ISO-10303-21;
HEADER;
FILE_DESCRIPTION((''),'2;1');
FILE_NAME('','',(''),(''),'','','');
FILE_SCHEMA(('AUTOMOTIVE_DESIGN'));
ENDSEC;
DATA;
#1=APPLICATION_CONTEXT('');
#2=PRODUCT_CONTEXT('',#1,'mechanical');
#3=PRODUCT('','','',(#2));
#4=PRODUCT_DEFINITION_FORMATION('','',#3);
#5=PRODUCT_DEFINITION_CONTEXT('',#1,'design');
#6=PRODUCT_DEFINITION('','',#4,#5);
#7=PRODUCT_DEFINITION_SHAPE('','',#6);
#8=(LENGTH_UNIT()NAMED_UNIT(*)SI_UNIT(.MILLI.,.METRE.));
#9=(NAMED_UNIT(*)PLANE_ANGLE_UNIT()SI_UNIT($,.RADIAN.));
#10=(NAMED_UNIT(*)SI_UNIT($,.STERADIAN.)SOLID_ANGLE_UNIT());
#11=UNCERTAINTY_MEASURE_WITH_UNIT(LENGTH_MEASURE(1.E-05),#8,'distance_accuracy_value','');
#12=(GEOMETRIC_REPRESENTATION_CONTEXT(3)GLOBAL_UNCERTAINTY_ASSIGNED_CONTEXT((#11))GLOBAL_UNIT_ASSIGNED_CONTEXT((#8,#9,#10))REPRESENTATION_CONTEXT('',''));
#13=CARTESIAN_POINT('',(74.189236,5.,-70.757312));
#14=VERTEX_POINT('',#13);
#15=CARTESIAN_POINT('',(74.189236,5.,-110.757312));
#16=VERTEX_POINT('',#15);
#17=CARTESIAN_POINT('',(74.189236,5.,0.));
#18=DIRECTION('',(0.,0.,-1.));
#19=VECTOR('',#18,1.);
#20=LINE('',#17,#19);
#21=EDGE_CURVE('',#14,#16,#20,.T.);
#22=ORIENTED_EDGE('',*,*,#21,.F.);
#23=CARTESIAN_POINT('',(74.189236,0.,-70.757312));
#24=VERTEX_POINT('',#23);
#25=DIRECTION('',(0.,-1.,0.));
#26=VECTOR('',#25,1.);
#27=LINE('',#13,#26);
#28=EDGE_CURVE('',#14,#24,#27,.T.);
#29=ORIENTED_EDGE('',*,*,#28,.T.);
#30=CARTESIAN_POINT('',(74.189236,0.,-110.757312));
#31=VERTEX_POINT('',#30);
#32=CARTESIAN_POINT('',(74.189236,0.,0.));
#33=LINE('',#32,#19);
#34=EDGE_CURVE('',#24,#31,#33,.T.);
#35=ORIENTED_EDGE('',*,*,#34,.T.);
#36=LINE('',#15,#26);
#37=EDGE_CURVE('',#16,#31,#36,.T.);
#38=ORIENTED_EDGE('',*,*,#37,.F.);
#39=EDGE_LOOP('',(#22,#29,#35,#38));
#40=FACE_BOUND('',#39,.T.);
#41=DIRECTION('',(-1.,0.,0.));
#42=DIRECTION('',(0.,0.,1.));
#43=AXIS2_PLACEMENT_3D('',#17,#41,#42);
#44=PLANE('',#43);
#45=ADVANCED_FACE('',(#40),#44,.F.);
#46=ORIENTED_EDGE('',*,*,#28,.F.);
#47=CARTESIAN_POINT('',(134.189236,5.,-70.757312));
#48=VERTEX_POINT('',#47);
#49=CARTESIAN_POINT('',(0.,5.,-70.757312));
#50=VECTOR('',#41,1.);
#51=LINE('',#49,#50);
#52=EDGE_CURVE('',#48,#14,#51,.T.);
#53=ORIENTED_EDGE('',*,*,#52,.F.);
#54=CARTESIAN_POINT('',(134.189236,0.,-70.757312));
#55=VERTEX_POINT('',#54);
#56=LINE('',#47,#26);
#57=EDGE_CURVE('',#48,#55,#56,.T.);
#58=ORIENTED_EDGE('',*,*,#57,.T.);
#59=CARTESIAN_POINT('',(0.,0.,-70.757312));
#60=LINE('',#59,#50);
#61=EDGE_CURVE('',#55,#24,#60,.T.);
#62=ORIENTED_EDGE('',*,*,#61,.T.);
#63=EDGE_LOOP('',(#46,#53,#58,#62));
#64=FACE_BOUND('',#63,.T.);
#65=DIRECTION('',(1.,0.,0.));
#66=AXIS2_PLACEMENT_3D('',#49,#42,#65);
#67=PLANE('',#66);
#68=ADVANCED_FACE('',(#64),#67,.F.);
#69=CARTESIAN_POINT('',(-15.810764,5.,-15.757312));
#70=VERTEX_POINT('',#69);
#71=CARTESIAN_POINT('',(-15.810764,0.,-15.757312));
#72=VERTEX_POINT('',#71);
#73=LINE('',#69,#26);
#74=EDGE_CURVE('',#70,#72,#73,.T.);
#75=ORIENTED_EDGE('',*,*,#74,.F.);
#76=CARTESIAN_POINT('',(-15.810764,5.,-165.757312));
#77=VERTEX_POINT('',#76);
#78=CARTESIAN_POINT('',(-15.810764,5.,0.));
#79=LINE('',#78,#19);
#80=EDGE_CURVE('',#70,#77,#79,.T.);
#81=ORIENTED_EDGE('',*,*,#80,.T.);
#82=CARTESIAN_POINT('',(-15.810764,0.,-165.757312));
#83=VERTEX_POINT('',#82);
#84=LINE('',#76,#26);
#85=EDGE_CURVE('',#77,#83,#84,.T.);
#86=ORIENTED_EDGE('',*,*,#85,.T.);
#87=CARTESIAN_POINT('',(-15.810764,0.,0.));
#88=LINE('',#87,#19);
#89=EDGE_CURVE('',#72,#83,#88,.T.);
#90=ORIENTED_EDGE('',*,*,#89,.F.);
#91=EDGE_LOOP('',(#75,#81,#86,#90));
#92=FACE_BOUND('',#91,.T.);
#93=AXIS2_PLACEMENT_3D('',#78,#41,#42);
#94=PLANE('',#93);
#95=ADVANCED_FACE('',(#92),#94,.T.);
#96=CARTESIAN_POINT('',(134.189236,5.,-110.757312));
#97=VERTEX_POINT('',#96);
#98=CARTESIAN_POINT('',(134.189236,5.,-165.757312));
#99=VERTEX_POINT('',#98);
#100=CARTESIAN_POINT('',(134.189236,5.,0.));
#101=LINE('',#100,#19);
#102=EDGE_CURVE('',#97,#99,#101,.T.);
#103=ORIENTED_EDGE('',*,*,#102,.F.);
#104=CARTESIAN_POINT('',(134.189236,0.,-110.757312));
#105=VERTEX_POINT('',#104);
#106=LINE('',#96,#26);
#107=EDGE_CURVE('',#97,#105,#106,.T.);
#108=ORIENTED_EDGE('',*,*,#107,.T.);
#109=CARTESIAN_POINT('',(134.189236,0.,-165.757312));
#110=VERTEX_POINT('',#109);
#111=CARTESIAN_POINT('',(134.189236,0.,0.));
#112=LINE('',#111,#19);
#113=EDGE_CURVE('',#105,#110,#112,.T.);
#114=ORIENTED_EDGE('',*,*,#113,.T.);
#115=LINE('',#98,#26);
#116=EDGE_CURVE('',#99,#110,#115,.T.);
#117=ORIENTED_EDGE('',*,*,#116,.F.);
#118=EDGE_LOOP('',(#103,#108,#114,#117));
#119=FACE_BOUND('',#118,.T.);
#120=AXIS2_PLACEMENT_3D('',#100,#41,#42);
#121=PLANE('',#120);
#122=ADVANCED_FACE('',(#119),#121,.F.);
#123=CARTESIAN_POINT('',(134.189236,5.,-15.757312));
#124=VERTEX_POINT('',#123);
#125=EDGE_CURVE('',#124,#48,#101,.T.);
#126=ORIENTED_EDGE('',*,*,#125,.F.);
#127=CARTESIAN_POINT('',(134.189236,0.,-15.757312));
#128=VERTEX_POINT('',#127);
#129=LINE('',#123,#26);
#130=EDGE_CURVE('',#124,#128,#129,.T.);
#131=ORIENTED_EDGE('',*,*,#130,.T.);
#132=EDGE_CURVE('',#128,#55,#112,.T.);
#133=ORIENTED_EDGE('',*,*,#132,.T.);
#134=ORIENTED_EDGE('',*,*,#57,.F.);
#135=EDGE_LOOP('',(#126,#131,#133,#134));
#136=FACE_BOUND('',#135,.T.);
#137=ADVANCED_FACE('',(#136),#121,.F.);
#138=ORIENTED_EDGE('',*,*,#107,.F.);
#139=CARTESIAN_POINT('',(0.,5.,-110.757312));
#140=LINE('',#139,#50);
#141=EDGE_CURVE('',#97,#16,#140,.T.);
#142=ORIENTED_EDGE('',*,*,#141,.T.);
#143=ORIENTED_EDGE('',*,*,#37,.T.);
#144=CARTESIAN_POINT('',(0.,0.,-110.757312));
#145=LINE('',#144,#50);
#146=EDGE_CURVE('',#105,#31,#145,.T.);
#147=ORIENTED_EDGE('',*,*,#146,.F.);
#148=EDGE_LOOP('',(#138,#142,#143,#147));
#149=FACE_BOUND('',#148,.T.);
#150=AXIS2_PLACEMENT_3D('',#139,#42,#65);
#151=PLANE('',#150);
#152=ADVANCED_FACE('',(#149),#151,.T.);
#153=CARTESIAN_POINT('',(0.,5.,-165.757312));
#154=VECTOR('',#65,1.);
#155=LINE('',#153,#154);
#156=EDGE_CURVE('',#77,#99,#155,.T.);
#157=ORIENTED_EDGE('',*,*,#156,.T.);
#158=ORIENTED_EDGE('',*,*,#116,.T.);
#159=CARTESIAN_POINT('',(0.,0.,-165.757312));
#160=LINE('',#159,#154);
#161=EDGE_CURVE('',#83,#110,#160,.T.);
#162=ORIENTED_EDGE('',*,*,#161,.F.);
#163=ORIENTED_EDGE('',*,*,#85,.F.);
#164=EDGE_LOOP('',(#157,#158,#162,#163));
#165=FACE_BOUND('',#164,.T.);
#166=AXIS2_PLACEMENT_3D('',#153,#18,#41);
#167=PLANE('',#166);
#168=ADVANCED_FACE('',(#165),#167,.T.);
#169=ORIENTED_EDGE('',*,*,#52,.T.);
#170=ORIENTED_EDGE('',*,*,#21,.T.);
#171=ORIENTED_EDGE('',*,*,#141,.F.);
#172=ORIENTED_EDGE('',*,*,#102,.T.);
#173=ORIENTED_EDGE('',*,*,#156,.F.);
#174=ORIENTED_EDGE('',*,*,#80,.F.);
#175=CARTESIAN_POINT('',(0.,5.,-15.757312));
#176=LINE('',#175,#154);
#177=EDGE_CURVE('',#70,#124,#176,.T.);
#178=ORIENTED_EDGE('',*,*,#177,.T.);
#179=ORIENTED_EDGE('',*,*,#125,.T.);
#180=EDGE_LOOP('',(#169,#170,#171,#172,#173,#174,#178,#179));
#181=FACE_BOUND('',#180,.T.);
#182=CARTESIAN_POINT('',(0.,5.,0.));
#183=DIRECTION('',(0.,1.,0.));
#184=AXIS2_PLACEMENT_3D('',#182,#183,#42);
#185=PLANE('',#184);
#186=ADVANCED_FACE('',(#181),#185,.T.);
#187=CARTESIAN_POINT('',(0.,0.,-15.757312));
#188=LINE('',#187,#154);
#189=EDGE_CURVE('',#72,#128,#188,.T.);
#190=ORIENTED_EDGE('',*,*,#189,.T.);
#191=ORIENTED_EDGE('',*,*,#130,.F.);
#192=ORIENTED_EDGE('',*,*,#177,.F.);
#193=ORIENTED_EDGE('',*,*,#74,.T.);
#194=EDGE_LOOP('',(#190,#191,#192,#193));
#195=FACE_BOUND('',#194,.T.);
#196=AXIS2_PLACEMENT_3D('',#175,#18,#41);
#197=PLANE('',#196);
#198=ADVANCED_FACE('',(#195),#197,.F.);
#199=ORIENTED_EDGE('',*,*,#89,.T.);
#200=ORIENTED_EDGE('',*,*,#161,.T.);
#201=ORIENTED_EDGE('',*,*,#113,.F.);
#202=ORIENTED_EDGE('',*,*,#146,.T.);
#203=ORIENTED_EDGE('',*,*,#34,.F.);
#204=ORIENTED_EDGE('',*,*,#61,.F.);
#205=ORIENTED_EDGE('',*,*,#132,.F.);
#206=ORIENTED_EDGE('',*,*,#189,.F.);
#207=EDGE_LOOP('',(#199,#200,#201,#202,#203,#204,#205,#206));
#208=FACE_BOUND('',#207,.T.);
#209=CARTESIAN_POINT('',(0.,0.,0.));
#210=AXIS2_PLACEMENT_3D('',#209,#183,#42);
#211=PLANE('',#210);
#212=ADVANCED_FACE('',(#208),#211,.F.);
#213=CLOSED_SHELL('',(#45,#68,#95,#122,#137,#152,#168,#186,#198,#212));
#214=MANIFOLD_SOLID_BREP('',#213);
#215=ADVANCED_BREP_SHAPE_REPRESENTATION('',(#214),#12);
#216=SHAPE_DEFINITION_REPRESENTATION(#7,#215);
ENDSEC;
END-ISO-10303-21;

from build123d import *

# Parameters (mm, degrees)
BOSS_EXTRUDE1_DEPTH = 5


with BuildPart() as part:
    # Sketch1 → Boss-Extrude1 (new body)
    with BuildSketch(Plane(origin=(0, 0, 0), x_dir=(1, 0, 0), z_dir=(0, 1, 0))):
        Polygon((74.189235934, 110.757312246), (134.189235934, 110.757312246), (134.189235934, 165.757312246), (-15.810764066, 165.757312246), (-15.810764066, 15.757312246), (134.189235934, 15.757312246), (134.189235934, 70.757312246), (74.189235934, 70.757312246), (74.189235934, 90.757312246), align=None)
    extrude(amount=BOSS_EXTRUDE1_DEPTH)


solid = part.part
